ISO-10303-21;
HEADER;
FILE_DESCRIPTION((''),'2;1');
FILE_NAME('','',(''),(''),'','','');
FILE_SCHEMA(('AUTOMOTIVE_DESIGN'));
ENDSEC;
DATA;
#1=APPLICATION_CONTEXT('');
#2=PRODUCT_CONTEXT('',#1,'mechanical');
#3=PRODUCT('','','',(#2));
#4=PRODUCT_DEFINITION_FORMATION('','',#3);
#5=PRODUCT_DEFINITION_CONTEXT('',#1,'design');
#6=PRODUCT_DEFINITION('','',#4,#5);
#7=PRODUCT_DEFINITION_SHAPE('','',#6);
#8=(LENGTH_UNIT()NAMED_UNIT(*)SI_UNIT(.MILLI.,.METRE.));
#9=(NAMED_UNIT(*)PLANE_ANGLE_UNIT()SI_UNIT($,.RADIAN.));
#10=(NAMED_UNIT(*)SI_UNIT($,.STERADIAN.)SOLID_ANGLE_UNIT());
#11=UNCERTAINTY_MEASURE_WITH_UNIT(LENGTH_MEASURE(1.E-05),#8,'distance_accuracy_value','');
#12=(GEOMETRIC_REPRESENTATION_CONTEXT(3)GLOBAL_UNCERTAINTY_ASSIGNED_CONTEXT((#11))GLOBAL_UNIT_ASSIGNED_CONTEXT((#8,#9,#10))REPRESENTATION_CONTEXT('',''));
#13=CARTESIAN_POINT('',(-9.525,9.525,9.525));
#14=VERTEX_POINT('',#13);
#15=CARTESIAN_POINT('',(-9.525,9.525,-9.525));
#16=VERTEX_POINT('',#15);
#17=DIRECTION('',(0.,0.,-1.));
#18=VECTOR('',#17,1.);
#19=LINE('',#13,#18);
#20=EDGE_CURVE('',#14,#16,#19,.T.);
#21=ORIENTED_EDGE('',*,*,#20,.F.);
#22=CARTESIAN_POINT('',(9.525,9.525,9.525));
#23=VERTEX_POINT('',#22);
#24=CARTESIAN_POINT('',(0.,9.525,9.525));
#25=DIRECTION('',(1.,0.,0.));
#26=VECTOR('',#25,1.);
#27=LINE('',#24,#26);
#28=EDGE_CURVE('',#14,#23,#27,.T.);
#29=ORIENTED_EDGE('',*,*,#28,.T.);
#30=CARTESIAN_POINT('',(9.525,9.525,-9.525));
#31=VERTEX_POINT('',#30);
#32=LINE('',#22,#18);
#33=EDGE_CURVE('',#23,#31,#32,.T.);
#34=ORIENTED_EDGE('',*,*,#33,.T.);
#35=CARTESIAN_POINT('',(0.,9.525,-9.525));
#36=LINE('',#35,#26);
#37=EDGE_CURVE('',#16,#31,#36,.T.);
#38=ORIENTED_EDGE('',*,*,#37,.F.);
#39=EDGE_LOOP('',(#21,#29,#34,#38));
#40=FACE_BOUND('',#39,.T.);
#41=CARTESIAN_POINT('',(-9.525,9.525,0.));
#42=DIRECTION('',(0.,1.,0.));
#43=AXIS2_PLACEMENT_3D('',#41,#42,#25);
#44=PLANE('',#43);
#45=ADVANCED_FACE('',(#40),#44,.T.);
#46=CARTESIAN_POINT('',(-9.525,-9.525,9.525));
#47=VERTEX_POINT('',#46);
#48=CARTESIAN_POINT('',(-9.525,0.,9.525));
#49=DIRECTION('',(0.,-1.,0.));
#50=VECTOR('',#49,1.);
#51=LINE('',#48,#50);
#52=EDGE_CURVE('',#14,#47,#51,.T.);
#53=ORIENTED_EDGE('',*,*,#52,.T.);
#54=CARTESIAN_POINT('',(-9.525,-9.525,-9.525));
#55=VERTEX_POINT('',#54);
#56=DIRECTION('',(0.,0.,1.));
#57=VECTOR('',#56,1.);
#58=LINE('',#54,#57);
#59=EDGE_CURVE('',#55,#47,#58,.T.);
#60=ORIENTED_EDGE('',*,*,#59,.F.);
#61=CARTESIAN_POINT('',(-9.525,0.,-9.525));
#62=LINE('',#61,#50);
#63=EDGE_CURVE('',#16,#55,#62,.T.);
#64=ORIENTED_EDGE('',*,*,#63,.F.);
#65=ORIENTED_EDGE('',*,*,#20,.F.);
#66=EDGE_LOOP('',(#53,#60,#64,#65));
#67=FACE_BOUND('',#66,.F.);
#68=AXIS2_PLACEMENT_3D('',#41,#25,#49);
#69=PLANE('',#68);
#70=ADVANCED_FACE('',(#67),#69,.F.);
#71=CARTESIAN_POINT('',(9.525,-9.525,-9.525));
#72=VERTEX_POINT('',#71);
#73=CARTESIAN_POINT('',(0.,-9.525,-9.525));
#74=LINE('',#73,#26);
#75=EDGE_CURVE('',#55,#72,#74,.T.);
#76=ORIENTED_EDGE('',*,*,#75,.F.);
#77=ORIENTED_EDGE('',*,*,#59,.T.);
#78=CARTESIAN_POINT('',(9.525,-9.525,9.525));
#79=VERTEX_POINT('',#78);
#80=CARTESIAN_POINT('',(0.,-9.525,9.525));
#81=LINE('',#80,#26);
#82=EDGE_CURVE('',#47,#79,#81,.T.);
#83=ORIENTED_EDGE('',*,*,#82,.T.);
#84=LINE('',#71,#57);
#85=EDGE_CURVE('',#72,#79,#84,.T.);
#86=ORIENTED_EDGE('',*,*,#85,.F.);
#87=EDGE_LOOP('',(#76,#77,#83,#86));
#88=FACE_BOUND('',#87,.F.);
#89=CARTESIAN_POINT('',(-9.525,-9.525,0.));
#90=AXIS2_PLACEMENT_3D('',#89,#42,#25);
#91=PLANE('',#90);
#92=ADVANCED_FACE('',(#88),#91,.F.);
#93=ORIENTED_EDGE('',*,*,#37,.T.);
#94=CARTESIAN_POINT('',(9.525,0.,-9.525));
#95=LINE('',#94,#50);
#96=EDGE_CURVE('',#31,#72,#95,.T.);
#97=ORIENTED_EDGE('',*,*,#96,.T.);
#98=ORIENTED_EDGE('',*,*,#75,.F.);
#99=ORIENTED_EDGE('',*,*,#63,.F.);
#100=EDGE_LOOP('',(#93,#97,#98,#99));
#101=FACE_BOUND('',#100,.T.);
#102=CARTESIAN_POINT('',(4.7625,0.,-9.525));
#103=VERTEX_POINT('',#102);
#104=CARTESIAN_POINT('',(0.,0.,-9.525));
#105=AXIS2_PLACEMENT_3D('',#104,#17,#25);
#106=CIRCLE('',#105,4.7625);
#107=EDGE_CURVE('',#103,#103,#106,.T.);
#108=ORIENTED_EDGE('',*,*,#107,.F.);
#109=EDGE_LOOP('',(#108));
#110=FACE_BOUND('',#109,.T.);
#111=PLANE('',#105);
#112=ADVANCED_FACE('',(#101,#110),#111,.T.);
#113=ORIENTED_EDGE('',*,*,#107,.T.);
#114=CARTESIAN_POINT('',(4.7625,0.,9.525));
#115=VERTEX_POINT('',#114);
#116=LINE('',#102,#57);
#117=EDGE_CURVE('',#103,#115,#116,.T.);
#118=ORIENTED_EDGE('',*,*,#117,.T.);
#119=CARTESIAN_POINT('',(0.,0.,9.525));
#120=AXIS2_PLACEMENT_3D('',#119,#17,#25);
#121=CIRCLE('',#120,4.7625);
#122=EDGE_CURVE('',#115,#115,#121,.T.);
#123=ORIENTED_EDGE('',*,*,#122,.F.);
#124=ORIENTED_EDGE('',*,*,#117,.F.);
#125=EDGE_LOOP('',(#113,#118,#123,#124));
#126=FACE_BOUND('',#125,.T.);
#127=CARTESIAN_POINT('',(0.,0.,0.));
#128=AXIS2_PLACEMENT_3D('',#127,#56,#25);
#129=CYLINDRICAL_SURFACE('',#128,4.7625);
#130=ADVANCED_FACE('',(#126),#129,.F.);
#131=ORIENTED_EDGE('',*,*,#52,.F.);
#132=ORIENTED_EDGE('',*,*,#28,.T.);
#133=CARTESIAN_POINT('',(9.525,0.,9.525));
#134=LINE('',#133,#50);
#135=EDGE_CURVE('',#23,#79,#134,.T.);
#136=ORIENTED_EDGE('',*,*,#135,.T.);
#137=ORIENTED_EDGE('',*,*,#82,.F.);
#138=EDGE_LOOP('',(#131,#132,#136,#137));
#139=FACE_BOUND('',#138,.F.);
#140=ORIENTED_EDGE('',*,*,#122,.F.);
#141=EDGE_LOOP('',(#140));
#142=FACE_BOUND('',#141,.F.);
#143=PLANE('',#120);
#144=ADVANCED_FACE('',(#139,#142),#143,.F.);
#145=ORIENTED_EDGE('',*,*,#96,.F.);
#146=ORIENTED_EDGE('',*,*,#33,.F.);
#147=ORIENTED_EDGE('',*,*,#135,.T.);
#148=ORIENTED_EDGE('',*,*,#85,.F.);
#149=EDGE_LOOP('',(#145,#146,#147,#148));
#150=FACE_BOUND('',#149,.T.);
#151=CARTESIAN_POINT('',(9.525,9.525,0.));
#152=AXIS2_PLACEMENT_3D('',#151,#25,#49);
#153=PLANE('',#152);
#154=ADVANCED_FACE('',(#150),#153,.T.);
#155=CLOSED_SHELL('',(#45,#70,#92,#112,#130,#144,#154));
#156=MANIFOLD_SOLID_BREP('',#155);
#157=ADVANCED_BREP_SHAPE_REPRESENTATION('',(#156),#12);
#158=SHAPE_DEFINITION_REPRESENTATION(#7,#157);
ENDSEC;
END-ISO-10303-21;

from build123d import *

# Parameters (mm, degrees)
F0_W     = 19.05
F0_H     = 19.05
F0_R     = 4.7625
F1_DEPTH = 9.525
F2_ANGLE = 90


with BuildPart() as f1:
    # F0 (on Front) → F1 (new body, symmetric)
    with BuildSketch(Plane.XZ):
        Rectangle(F0_W, F0_H)
        Circle(F0_R, mode=Mode.SUBTRACT)
    extrude(amount=F1_DEPTH, both=True)


with BuildPart() as f1_1:
    # F2: moved
    add(f1.part.rotate(Axis((4.7625, 0, 0), (1, 0, 0)), F2_ANGLE))


solid = f1_1.part
